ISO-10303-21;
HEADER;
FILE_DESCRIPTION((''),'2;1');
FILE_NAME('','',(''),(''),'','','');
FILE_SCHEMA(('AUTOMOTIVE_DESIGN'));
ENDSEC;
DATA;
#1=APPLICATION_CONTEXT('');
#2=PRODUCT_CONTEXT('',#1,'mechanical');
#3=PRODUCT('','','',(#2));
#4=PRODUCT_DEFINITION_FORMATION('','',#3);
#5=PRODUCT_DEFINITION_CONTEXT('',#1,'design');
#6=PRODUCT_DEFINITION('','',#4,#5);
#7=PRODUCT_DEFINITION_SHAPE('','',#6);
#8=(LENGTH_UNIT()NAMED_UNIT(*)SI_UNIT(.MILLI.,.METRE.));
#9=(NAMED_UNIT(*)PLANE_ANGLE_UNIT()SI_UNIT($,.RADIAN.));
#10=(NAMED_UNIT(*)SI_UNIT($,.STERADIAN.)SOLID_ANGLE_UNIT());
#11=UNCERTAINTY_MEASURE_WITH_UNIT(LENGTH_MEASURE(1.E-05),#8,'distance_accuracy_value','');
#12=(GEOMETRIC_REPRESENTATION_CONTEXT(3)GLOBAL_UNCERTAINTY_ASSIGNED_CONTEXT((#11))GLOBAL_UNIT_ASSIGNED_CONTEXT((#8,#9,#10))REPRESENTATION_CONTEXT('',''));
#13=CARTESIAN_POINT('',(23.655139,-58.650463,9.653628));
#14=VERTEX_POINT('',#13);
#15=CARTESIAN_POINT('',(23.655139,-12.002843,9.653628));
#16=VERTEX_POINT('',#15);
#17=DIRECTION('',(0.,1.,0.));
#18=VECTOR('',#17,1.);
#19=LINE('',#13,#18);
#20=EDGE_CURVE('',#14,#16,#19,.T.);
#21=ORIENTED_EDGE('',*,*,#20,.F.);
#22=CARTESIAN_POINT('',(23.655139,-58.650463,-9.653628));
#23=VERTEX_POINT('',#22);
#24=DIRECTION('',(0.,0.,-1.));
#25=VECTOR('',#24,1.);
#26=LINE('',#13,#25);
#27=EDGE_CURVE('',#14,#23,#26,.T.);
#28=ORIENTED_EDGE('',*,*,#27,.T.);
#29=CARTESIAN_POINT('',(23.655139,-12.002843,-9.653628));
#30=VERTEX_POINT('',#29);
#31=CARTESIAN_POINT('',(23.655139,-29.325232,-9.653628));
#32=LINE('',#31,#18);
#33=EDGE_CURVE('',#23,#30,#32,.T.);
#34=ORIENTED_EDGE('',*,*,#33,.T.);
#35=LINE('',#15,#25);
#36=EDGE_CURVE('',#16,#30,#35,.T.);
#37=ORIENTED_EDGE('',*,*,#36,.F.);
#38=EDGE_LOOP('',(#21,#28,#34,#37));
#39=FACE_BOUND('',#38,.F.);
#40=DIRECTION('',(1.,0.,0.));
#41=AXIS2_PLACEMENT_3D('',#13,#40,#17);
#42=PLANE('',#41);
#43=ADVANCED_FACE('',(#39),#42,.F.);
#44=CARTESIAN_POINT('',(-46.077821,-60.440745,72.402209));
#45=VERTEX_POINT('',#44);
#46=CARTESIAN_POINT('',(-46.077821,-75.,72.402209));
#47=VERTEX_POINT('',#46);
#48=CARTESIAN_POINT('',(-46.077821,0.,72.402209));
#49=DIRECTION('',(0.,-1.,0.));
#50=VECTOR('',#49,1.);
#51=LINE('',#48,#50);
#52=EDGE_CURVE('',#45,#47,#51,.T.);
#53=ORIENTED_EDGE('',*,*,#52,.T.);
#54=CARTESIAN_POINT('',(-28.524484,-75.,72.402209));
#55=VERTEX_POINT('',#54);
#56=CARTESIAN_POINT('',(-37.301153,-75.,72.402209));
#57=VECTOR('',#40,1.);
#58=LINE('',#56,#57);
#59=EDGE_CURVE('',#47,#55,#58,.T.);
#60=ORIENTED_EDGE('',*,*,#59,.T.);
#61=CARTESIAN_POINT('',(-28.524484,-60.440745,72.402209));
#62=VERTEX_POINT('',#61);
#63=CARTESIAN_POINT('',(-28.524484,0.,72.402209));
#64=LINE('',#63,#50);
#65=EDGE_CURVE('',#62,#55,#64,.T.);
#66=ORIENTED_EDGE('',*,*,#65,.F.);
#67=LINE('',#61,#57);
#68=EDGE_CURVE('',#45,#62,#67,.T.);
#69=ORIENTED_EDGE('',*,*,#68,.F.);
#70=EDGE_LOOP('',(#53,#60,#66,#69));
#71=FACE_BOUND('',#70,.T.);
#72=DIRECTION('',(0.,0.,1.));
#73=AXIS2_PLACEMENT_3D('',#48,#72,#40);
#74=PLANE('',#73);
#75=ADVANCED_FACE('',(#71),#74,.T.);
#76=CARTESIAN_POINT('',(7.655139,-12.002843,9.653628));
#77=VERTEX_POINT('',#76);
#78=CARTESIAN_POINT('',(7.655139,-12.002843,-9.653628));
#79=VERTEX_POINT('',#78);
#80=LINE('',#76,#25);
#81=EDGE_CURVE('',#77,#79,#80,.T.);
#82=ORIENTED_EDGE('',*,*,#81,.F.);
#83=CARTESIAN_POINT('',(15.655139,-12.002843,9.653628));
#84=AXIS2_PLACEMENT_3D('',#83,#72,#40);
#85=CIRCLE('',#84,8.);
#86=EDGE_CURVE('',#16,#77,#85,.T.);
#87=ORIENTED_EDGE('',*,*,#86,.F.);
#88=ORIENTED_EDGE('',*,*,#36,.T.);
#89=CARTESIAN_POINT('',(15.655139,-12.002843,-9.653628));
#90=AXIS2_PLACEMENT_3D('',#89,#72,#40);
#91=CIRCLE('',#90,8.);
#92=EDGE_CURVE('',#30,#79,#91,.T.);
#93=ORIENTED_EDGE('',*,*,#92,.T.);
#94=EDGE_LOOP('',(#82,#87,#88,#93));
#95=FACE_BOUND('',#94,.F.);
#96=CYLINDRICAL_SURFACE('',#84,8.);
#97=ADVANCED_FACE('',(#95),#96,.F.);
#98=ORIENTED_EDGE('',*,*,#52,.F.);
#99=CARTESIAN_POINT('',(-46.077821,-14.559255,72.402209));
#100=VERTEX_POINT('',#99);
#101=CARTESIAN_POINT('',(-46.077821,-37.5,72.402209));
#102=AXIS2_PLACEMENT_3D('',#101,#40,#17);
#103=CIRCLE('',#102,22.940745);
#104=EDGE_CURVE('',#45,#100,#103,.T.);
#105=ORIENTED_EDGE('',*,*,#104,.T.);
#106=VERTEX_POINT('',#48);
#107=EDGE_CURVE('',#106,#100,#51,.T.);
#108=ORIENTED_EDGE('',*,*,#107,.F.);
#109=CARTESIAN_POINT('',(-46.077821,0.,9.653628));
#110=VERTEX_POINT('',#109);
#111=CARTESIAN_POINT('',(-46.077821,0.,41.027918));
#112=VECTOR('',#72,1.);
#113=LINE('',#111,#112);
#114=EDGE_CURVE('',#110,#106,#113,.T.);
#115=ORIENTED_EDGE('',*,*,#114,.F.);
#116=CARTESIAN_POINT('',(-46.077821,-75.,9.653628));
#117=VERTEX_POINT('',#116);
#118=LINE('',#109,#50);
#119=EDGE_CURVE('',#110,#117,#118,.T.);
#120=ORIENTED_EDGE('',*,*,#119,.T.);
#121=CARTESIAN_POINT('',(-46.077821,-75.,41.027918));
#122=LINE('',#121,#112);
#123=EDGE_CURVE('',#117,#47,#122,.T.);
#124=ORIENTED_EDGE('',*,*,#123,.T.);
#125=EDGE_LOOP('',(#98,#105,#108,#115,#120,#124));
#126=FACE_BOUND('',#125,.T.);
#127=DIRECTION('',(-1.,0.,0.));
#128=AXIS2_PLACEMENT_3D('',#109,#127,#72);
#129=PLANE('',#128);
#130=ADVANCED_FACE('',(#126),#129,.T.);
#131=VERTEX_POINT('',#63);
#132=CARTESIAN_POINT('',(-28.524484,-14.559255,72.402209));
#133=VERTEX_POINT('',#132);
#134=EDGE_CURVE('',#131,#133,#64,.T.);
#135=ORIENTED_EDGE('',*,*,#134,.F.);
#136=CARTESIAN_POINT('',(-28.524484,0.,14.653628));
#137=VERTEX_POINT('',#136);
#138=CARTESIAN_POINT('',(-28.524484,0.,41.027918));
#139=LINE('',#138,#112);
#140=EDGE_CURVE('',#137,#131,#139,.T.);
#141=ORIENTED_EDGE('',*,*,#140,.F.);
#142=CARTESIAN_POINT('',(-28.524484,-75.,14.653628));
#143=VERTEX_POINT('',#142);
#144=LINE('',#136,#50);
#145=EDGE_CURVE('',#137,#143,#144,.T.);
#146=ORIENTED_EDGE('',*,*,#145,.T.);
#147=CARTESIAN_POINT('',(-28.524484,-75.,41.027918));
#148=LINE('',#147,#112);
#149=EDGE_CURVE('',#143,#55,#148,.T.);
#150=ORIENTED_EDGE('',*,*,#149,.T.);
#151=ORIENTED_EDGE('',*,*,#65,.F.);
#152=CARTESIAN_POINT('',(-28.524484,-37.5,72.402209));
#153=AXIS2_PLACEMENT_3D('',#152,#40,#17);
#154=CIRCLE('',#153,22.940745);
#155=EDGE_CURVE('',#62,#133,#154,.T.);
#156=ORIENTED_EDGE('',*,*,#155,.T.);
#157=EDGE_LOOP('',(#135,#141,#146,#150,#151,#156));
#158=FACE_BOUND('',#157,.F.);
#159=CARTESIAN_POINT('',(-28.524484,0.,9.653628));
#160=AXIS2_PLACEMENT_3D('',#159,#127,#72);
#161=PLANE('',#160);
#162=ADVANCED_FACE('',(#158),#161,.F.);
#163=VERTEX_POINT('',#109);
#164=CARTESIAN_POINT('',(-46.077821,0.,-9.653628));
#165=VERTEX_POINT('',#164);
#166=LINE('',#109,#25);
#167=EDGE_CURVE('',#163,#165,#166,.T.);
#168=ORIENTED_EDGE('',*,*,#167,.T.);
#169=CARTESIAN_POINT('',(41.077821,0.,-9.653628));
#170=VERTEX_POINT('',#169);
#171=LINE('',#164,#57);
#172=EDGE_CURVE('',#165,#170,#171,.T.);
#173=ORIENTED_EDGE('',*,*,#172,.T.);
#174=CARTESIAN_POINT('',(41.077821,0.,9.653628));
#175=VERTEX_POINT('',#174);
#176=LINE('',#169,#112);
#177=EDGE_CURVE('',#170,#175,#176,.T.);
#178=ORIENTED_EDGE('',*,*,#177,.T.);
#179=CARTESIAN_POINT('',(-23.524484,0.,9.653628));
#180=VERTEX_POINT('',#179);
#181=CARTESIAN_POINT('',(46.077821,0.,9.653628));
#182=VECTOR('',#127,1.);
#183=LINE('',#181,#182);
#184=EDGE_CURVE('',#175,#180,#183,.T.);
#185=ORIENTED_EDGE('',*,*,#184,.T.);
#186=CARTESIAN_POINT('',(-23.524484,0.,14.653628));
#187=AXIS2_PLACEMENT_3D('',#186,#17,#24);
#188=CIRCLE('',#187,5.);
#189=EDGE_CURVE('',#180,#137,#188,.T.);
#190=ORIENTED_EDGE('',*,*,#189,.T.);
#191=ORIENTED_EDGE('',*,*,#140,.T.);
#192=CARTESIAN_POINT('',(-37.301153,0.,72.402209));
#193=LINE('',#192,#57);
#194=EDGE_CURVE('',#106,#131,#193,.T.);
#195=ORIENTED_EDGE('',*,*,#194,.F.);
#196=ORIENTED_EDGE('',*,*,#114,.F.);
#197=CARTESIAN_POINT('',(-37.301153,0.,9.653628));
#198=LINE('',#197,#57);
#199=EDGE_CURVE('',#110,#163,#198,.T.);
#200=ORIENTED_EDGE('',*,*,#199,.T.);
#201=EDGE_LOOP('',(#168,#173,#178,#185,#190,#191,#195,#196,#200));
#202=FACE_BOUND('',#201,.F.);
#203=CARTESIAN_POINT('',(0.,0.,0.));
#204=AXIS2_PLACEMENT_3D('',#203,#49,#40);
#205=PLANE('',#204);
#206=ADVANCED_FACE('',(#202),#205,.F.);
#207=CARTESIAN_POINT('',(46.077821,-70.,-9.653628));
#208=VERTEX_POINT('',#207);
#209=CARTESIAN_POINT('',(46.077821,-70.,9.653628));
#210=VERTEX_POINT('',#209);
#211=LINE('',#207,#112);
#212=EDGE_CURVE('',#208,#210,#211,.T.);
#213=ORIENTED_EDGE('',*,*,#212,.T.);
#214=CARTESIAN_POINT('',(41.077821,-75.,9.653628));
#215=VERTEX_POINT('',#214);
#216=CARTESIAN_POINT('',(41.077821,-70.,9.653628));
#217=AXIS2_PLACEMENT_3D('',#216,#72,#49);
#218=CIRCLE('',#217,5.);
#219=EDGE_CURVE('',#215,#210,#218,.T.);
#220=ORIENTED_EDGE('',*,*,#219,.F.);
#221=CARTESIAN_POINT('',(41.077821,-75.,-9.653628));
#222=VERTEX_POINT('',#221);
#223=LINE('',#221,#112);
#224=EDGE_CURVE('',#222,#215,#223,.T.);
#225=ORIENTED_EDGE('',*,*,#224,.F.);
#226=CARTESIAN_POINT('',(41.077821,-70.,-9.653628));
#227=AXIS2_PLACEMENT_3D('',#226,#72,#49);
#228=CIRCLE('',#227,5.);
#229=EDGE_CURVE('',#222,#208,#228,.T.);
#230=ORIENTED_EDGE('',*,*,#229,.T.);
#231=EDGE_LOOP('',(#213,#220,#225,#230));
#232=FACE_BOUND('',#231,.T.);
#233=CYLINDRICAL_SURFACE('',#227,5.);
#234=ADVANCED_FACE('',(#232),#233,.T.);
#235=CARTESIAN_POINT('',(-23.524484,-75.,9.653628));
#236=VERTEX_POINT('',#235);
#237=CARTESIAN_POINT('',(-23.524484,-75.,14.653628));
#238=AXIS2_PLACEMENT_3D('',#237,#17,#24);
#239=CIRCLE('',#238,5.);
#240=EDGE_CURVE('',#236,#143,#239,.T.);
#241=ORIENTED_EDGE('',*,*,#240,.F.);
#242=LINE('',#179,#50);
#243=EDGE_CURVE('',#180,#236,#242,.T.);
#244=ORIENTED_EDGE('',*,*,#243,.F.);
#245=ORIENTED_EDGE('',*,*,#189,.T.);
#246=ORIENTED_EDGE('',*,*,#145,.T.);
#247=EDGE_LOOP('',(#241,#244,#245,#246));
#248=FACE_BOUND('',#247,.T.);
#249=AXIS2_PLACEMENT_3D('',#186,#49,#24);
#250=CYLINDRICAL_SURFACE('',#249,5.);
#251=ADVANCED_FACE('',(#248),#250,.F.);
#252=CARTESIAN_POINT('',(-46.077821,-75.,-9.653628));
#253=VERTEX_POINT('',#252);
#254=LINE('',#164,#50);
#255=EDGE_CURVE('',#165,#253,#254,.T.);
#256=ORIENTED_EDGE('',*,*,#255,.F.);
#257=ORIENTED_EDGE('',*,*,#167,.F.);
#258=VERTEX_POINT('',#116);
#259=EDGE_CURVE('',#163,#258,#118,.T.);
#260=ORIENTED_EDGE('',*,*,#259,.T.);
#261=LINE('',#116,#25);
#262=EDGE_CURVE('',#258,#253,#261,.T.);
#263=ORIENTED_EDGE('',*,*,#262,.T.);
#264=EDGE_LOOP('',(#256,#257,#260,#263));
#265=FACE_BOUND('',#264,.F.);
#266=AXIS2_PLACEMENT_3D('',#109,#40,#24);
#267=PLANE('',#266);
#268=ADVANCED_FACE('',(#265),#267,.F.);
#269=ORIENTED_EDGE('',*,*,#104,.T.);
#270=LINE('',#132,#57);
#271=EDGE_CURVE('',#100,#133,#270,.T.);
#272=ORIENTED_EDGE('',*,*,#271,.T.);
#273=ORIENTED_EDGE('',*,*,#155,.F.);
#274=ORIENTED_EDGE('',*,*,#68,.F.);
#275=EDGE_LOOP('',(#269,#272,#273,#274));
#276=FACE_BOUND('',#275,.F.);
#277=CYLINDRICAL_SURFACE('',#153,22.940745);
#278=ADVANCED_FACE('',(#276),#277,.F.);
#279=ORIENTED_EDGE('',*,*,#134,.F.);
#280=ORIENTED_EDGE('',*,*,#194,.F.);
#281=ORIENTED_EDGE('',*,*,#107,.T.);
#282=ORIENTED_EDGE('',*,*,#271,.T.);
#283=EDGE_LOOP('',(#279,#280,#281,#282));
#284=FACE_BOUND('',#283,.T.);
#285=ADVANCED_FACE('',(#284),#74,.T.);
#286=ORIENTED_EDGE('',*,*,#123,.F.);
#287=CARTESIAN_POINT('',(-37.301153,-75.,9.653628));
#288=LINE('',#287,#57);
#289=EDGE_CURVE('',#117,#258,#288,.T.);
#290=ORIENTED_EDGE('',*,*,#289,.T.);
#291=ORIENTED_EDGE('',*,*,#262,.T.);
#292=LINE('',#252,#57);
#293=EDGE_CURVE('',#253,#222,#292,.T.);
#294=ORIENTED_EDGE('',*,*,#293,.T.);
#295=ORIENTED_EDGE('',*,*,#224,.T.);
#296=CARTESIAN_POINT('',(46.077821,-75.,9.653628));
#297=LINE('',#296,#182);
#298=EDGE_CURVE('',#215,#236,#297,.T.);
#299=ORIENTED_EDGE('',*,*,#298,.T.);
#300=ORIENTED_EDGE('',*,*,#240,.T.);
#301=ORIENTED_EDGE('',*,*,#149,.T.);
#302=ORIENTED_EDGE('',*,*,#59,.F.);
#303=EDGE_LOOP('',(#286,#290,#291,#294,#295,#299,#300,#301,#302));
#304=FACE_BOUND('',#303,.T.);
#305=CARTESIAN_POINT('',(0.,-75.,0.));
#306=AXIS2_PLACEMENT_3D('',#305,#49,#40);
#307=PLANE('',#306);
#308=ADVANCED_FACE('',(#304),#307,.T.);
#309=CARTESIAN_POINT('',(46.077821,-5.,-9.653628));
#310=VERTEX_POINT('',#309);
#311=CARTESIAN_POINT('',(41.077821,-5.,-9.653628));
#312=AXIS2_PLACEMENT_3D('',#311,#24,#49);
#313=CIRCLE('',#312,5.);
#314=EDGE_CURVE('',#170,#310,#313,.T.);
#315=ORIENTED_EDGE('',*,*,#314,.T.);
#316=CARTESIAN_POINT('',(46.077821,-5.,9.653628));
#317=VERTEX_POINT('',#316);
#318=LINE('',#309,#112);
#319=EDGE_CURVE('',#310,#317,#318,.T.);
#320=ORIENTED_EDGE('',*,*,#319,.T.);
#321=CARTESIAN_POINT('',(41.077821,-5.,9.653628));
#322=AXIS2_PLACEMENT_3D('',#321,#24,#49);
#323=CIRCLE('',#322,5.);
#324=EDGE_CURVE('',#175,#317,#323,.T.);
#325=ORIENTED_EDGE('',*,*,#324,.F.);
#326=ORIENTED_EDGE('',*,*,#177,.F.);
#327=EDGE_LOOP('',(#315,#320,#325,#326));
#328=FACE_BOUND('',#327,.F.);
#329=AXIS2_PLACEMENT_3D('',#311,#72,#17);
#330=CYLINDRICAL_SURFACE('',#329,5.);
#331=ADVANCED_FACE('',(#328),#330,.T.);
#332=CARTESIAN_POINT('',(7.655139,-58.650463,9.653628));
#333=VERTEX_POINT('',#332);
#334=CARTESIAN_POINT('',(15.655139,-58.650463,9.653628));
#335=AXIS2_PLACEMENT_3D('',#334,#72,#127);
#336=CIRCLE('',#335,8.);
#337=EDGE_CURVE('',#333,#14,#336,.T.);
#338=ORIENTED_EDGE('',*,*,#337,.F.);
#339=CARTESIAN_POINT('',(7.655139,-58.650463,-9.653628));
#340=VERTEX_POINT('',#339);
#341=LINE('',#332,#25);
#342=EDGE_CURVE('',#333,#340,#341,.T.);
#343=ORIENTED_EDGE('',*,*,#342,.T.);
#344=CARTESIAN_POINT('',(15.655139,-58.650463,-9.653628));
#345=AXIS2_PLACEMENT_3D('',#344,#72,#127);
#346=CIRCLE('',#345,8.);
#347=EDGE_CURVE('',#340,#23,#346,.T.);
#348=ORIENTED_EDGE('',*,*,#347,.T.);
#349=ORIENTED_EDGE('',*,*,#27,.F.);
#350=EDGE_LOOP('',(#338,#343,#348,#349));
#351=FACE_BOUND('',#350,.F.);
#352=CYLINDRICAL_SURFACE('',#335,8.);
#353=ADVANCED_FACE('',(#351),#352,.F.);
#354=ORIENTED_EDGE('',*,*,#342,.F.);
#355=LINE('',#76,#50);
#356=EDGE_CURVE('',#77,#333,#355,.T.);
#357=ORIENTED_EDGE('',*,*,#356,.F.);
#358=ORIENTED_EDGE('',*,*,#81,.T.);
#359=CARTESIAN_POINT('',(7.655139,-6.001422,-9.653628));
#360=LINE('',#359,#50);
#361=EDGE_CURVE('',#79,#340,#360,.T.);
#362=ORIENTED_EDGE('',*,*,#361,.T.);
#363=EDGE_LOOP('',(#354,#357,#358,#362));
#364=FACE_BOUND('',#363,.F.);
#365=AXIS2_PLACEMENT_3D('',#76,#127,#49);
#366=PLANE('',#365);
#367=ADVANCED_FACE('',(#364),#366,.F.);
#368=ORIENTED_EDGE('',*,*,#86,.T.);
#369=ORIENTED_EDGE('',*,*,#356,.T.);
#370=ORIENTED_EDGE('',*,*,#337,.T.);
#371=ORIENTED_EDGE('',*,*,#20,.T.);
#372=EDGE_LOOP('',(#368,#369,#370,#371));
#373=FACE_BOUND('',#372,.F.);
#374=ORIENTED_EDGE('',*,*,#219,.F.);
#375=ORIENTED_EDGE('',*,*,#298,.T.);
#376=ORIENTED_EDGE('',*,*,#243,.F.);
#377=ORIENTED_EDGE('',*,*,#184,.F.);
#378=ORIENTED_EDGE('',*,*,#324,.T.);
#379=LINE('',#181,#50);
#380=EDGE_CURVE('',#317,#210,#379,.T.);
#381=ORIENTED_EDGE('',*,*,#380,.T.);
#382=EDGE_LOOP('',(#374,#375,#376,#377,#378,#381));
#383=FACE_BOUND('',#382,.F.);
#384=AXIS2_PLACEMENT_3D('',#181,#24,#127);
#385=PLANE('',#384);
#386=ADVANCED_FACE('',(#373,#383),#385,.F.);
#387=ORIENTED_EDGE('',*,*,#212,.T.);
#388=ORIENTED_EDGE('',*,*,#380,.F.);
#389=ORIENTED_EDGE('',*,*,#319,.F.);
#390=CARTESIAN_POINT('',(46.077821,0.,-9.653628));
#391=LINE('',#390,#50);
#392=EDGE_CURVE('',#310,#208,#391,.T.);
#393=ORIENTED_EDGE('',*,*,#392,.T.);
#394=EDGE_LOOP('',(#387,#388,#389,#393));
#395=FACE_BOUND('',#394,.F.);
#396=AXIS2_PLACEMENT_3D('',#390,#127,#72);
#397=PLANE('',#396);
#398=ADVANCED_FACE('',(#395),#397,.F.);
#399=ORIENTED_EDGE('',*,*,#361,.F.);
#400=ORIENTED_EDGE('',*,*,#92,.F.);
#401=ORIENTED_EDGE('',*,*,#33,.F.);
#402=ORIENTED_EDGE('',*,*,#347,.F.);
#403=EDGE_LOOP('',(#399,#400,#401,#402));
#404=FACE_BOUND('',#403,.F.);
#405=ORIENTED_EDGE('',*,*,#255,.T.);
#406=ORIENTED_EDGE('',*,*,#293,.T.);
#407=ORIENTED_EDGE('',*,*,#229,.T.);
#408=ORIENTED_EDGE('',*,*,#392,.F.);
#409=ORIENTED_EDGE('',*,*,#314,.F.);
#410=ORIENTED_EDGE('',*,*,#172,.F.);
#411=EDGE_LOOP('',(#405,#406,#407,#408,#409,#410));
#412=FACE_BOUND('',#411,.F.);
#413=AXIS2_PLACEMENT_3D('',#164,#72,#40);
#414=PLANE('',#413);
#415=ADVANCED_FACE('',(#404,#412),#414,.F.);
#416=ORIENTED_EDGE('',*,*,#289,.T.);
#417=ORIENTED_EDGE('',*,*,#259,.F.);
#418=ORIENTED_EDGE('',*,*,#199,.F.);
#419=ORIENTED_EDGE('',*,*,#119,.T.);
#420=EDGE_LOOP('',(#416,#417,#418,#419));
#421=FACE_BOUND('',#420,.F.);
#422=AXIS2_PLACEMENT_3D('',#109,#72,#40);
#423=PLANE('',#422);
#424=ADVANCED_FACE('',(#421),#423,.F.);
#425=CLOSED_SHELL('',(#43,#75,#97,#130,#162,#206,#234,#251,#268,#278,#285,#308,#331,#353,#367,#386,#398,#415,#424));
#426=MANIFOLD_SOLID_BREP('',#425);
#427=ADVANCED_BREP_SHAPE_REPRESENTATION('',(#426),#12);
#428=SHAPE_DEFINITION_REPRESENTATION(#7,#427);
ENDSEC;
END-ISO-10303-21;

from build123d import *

# Parameters (mm, degrees)
F0_W     = 17.553337
F0_H     = 62.748581
F1_DEPTH = 75
F2_R     = 22.940745
F3_DEPTH = 25
F5_DEPTH = 19.308256
F6_R     = 5
F7_R     = 5


with BuildPart() as f1:
    # F0 (on Front) → F1 (new body)
    with BuildSketch(Plane.XZ):
        Polygon((-46.077821, -9.653628), (46.077821, -9.653628), (46.077821, 9.653628), (-28.524484, 9.653628), (-46.077821, 9.653628), align=None)
        with Locations((-37.301153, 41.027918)):
            Rectangle(F0_W, F0_H)
    extrude(amount=F1_DEPTH)

    # F2 (on face) → F3 (cut)
    with BuildSketch(Plane.YZ.offset(-28.524484)):
        with Locations((-37.5, 72.402209)):
            Circle(F2_R)
    extrude(amount=-F3_DEPTH, mode=Mode.SUBTRACT)

    # F4 (on face) → F5 (cut, through all)
    with BuildSketch(Plane.XY.offset(9.653628)):
        with BuildLine():
            Line((7.655139, -12.002843), (7.655139, -58.650463))
            ThreePointArc((7.655139, -58.650463), (15.655139, -66.650463), (23.655139, -58.650463))
            Line((23.655139, -58.650463), (23.655139, -12.002843))
            ThreePointArc((23.655139, -12.002843), (15.655139, -4.002843), (7.655139, -12.002843))
        make_face()
    extrude(amount=-F5_DEPTH, mode=Mode.SUBTRACT)

    # F6
    f6_edges = [f1.edges().sort_by_distance(p)[0] for p in [
        (46.077821, -75, 0),
        (46.077821, 0, 0),
    ]]
    fillet(f6_edges, radius=F6_R)

    # F7
    f7_edges = [f1.edges().sort_by_distance(p)[0] for p in [
        (-28.524484, -37.5, 9.653628),
    ]]
    fillet(f7_edges, radius=F7_R)


solid = f1.part
